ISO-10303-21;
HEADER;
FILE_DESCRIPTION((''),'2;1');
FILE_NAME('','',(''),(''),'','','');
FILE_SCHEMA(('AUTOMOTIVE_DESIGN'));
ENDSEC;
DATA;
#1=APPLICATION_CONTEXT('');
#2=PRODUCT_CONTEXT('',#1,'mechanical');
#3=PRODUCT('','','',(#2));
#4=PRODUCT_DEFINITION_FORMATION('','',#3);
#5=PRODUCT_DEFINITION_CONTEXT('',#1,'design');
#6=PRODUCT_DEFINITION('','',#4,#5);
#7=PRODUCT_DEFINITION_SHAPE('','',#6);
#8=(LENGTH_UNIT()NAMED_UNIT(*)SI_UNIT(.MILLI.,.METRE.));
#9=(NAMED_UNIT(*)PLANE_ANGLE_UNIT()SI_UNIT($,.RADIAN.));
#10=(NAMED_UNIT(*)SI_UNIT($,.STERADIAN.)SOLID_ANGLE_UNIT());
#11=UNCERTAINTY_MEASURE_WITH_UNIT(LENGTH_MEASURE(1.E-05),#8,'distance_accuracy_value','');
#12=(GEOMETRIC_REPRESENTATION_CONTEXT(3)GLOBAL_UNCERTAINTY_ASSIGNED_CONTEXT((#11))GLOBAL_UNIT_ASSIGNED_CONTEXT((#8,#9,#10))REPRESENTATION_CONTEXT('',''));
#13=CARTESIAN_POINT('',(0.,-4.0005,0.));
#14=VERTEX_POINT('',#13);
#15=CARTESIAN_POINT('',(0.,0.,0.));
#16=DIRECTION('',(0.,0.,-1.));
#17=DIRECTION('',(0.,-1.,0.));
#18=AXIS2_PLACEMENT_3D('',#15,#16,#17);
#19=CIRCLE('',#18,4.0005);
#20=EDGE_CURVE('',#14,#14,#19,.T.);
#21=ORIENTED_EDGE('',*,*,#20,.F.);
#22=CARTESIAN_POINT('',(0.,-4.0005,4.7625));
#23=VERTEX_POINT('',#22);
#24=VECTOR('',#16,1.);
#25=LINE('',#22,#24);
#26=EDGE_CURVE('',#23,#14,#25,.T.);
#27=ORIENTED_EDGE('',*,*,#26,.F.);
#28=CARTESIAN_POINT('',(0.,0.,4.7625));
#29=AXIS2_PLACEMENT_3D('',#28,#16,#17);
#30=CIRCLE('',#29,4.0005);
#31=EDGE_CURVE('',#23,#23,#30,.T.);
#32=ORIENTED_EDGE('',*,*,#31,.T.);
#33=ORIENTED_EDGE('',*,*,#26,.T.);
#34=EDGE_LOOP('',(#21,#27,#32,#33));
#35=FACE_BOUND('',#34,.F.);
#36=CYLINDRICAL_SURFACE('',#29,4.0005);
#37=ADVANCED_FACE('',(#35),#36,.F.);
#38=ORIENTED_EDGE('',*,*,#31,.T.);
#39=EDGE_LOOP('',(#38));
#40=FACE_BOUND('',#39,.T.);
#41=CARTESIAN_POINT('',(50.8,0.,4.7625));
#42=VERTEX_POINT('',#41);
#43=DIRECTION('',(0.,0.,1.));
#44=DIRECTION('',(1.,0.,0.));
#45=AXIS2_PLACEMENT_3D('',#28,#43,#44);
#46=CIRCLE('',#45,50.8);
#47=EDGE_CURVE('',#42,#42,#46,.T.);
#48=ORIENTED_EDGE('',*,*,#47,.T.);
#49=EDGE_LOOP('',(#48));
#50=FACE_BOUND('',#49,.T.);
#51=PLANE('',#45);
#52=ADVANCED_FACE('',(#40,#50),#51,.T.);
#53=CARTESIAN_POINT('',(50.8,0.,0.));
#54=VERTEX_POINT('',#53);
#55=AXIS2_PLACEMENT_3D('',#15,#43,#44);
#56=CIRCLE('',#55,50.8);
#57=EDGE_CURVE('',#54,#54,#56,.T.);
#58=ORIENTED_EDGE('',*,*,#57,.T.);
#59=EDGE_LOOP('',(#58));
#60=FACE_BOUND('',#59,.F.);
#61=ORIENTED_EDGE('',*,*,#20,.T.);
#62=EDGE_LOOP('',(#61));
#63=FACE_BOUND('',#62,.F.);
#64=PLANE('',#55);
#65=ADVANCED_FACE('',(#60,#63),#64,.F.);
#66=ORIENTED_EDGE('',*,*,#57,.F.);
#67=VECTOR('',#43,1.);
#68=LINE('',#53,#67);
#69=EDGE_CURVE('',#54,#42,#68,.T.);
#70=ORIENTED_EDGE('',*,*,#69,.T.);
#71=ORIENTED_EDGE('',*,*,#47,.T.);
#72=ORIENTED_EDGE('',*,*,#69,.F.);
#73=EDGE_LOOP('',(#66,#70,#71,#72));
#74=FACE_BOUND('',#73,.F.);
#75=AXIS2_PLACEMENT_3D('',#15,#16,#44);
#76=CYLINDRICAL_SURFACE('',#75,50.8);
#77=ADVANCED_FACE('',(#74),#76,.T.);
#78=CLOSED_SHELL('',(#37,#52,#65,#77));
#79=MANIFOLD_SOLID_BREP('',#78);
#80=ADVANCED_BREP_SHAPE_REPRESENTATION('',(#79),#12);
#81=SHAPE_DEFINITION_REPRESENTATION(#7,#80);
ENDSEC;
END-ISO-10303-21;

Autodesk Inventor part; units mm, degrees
ref_plane "YZ Plane" through (0, 0, 0) normal (1, 0, 0) x (0, 1, 0)
ref_plane "XZ Plane" through (0, 0, 0) normal (0, 1, 0) x (-1, 0, 0)
ref_plane "XY Plane" through (0, 0, 0) normal (0, 0, 1) x (1, 0, 0)
sketch "Sketch1" plane through (0, 0, 0) normal (0, 0, 1) x (1, 0, 0)
  circle A0 centre (0, 0) radius 50.8
  dimension "d0" = 101.6
extrude "Extrusion1" add sketch "Sketch1" along normal blind 4.7625
sketch "Sketch2" plane through (0, 0, 4.7625) normal (0, 0, 1) x (1, 0, 0)
  circle A0 centre (0, 0) radius 50.8 projected
hole "Hole1" at (0, 0, 4.7625) direction (0, 0, -1) diameter 8.001 end through all
ref_plane "Work Plane1" through (0, 0, 11.1125) normal (0, 0, 1) x (1, 0, 0)
properties part number "PWTR-0038" material "Stainless Steel, 303"
